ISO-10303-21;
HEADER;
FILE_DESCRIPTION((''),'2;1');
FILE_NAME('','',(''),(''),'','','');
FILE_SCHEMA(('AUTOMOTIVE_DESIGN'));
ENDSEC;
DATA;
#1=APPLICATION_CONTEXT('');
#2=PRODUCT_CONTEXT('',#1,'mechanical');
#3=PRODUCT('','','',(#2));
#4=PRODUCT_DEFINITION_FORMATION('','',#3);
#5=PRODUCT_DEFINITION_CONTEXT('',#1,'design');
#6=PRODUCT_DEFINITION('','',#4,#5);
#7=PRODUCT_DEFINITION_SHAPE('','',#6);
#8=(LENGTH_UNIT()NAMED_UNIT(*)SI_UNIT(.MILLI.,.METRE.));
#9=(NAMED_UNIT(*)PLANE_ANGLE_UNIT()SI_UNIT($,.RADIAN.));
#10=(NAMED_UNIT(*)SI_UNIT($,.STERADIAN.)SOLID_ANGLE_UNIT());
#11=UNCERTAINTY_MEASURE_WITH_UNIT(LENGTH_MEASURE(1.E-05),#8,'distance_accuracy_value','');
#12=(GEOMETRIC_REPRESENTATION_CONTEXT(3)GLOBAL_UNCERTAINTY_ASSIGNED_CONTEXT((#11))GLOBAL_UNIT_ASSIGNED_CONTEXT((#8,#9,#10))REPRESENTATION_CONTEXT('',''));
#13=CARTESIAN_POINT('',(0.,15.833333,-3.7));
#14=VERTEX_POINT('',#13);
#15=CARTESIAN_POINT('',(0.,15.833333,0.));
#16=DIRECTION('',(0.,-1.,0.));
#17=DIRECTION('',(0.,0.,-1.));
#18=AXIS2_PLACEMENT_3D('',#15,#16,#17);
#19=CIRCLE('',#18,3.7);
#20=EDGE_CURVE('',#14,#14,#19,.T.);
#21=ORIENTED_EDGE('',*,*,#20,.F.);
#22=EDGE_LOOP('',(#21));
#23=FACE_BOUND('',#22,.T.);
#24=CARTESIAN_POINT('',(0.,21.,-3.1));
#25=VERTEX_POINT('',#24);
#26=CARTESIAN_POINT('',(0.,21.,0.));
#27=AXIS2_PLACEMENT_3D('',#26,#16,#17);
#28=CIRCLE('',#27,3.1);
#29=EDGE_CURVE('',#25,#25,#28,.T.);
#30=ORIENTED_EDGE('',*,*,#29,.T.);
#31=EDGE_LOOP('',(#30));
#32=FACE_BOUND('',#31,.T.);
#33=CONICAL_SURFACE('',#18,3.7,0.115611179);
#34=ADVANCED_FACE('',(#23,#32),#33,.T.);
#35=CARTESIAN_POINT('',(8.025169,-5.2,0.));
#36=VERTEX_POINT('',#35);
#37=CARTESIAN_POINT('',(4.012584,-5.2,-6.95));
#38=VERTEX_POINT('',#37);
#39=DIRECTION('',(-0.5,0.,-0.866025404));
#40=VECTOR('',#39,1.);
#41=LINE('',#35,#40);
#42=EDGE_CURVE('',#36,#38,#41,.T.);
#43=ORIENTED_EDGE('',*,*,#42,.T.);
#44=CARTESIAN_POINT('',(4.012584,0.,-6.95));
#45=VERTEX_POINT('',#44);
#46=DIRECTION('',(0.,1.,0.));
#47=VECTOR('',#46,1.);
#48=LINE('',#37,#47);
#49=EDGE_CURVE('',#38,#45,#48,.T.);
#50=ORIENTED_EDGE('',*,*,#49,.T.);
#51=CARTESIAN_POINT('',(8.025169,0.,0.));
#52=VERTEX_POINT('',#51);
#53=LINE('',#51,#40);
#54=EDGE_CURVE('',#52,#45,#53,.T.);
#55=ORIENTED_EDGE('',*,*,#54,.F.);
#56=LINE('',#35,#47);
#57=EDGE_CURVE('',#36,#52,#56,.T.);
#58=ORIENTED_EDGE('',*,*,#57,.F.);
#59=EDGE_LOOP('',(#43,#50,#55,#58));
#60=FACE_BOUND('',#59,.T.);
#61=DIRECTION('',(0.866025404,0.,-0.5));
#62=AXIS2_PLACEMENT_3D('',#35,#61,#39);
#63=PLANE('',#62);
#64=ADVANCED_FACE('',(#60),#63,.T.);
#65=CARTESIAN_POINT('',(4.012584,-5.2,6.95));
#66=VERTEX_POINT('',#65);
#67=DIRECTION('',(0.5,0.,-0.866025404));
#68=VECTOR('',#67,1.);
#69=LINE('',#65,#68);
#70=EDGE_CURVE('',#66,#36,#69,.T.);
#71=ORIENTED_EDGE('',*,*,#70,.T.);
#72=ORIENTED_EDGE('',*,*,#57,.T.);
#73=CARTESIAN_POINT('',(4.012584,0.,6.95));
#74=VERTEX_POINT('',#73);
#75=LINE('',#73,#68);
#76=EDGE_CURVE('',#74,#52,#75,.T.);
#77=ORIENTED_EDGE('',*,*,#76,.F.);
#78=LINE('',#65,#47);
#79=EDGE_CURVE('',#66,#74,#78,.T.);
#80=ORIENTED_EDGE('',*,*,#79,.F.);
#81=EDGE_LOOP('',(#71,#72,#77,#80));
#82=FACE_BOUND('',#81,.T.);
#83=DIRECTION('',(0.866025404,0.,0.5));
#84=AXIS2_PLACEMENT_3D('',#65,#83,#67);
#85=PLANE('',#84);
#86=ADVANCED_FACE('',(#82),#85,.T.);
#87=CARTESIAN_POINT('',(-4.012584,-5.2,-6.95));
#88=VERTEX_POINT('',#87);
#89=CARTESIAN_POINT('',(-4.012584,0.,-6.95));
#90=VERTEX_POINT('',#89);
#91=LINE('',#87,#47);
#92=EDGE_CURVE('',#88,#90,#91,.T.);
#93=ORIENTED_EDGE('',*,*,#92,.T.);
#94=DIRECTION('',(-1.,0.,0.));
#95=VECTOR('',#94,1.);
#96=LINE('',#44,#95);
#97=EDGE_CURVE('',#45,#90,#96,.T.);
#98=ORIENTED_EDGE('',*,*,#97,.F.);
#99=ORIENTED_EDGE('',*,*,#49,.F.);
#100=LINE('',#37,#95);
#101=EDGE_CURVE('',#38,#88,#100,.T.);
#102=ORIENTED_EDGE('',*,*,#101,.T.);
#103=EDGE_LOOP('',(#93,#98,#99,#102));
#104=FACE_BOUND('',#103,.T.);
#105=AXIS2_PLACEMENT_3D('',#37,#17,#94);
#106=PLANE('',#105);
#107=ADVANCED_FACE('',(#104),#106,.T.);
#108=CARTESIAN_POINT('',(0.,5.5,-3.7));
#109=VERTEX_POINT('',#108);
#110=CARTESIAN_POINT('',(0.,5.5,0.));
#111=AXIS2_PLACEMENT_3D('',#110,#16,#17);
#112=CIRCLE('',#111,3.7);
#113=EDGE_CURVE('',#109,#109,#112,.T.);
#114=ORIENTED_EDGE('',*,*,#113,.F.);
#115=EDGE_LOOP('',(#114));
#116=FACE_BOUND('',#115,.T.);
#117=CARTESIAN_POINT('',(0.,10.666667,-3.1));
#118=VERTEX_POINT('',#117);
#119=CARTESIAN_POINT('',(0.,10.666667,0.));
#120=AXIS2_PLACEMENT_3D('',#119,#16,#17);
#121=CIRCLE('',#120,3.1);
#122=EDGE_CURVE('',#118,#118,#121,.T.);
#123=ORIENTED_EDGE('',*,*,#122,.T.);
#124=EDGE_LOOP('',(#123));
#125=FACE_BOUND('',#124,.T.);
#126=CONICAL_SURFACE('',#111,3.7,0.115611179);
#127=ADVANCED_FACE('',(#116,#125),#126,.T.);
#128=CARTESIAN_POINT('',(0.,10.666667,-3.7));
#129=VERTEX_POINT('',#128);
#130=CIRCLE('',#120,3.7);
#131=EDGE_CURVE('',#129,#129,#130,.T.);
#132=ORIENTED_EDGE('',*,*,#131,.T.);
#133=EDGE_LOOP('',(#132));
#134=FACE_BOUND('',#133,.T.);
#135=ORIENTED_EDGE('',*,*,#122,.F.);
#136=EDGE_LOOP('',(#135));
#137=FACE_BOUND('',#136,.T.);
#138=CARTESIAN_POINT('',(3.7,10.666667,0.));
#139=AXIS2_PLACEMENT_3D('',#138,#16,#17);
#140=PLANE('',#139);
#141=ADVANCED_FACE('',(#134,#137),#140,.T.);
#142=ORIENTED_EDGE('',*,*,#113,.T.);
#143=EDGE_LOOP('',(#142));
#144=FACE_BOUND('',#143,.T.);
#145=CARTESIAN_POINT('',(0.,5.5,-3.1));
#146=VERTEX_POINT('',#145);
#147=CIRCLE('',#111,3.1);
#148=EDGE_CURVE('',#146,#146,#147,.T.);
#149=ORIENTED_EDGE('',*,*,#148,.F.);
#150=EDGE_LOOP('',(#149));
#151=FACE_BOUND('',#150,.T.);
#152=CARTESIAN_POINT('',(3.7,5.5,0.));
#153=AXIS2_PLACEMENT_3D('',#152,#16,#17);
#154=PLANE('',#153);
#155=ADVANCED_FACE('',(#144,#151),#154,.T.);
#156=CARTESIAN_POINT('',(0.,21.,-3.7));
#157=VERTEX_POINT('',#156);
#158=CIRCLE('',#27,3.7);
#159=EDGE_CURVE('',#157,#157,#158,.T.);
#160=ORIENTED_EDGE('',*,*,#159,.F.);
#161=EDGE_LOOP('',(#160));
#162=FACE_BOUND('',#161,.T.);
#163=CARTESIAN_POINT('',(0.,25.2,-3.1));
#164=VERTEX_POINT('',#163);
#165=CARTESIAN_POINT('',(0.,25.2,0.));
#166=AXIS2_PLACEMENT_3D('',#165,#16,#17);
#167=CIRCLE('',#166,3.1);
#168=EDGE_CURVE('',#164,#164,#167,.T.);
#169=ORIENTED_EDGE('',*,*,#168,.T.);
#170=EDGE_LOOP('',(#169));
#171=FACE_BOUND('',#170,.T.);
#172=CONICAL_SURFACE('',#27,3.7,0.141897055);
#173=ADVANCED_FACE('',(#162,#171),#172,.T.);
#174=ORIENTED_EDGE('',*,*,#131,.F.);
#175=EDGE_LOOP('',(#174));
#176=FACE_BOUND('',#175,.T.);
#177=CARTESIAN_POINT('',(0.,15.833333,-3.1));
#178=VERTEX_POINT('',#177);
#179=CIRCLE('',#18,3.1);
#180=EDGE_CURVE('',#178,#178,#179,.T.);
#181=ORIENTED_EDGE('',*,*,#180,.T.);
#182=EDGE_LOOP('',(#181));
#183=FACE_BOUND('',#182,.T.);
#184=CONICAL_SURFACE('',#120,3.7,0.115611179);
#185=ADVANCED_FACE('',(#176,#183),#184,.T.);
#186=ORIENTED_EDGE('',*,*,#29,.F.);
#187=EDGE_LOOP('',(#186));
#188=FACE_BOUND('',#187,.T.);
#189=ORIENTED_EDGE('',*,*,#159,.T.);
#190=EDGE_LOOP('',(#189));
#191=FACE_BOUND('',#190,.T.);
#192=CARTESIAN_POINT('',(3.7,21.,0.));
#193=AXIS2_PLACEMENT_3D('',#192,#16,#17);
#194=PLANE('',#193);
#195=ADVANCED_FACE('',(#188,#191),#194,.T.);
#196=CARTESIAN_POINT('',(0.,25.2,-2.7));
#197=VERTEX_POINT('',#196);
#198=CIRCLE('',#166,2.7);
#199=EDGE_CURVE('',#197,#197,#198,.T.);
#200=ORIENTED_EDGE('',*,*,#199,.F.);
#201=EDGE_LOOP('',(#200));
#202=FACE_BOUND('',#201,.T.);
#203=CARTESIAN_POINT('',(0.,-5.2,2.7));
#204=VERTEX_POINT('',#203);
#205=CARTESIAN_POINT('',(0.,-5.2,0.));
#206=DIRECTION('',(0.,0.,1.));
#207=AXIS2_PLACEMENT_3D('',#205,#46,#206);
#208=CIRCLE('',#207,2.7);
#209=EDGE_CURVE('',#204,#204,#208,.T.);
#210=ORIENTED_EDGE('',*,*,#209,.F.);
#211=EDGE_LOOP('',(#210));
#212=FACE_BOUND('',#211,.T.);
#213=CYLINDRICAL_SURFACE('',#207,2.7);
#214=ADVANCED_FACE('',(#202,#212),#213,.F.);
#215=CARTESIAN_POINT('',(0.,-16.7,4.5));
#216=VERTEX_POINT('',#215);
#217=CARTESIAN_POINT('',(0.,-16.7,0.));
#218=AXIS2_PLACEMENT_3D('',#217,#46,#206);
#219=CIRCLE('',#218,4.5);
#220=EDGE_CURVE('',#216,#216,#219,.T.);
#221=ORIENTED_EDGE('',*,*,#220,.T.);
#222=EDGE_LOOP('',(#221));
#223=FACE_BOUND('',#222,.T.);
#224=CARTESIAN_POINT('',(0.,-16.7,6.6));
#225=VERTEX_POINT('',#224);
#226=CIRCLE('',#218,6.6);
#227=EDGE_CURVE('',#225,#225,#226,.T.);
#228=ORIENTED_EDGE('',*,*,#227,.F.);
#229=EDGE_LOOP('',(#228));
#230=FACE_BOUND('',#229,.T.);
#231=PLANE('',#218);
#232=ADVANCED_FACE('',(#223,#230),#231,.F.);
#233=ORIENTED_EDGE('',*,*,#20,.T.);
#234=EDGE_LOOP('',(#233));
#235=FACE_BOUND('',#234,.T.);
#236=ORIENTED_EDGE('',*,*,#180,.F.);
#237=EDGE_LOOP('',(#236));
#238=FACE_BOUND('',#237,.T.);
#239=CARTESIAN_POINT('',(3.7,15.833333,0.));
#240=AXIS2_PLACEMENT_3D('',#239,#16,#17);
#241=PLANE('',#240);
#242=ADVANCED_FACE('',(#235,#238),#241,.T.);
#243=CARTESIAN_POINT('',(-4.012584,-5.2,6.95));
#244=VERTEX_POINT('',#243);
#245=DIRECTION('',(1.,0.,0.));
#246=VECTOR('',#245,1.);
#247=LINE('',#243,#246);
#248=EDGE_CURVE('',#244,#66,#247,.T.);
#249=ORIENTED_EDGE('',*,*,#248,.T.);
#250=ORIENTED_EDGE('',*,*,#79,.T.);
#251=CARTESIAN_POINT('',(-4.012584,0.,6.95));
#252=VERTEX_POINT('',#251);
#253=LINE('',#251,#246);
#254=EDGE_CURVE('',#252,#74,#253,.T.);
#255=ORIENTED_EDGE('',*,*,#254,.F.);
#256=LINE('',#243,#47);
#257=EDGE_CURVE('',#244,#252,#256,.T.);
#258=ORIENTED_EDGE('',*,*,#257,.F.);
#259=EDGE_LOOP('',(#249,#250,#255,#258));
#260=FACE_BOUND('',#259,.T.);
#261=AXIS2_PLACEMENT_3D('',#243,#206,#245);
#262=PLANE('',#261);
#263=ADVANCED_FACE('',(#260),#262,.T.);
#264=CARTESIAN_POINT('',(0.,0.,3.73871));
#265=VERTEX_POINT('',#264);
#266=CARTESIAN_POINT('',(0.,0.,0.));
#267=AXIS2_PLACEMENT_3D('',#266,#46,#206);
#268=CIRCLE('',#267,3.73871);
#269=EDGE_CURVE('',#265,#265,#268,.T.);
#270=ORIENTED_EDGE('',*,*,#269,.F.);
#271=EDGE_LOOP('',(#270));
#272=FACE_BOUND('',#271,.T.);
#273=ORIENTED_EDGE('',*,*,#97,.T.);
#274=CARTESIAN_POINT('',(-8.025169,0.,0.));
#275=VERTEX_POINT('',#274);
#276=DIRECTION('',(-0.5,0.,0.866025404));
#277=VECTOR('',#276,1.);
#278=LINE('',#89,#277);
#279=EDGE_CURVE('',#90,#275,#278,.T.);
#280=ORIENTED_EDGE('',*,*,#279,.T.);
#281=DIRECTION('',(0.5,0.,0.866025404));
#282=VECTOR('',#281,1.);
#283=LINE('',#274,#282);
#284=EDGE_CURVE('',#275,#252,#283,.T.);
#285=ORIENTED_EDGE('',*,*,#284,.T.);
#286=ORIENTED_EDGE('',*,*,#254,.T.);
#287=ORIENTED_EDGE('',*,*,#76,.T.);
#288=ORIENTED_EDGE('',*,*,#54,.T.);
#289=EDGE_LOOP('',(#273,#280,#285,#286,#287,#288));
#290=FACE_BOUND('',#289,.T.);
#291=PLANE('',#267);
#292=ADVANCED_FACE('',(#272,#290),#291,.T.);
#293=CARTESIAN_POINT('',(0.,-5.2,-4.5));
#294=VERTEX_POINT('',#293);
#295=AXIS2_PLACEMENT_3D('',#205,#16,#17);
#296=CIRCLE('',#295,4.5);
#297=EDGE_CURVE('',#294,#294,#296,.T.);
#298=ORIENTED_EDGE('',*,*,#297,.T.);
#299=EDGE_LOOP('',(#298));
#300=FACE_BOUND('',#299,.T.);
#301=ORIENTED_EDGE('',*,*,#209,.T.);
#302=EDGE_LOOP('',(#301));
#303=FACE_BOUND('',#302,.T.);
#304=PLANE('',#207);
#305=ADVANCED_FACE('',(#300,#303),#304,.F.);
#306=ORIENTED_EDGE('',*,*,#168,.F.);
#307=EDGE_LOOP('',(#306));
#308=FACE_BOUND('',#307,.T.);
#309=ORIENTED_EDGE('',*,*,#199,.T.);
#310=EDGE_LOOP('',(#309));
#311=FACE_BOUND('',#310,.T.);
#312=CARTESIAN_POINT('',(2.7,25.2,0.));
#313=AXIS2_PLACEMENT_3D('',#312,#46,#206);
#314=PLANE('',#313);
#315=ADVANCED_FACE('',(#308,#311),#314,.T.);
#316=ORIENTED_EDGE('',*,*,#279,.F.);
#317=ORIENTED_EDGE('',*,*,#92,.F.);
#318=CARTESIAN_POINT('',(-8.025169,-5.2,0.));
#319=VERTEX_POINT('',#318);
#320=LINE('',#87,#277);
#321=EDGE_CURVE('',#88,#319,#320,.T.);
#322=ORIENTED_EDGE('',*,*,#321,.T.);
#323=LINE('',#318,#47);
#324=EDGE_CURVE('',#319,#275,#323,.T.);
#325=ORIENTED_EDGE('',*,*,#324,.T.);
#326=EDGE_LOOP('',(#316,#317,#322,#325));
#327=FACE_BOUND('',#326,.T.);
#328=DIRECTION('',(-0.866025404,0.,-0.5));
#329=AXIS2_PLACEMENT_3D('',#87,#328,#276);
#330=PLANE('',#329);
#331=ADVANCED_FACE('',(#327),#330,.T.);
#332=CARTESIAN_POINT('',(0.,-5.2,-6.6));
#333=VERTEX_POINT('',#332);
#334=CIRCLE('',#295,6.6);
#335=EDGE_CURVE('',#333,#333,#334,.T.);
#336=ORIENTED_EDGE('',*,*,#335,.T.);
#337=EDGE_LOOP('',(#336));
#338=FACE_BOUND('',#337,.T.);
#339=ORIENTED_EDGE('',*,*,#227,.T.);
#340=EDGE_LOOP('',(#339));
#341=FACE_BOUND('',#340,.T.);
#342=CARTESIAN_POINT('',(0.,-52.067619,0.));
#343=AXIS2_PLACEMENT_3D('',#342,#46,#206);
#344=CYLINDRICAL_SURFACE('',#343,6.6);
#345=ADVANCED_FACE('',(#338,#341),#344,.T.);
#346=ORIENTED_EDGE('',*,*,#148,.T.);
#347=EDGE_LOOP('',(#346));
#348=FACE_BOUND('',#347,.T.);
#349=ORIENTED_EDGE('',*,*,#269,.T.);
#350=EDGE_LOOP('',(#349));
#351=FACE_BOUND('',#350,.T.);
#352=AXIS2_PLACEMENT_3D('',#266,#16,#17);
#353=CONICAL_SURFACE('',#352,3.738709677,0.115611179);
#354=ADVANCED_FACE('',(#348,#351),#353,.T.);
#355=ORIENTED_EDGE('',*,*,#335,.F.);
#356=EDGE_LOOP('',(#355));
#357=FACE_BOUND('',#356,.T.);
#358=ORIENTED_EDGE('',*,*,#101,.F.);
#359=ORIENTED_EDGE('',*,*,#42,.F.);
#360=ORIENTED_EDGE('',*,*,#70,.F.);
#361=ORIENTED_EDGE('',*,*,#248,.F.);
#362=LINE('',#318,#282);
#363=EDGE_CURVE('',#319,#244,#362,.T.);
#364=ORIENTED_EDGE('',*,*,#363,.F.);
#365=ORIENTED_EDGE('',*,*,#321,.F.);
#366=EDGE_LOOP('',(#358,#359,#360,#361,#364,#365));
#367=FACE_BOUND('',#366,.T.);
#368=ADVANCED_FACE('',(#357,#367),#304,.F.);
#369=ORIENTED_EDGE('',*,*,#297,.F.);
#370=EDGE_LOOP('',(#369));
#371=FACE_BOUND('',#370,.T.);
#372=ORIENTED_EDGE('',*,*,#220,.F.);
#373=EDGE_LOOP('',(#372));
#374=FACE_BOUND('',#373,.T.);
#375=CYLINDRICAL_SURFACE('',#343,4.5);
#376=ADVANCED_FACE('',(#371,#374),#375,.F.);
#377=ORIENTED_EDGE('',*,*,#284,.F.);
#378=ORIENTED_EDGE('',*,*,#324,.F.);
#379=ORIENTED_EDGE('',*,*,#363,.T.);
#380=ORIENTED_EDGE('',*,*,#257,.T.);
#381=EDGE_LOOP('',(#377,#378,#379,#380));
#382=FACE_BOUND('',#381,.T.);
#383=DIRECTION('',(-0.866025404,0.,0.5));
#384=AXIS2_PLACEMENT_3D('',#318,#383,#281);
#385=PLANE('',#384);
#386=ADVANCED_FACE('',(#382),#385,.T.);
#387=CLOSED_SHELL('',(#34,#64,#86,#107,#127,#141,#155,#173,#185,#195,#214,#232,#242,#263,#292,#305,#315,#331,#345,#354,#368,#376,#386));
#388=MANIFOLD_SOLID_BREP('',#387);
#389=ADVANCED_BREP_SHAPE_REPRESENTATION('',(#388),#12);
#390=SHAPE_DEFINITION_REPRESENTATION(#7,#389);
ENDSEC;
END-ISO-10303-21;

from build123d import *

# Parameters (mm, degrees)
SKETCH1_R           = 2.7
BOSS_EXTRUDE1_DEPTH = 5.2
LOWER_THREADS_R     = 6.6
LOWER_THREADS_R_2   = 4.5
BOSS_EXTRUDE2_DEPTH = 11.5


with BuildPart() as part:
    # Sketch1 → Boss-Extrude1 (new body)
    with BuildSketch(Plane(origin=(0, 0, 0), x_dir=(1, 0, 0), z_dir=(0, 1, 0))):
        Polygon((8.025168742, 0), (4.012584371, 6.95), (-4.012584371, 6.95), (-8.025168742, 0), (-4.012584371, -6.95), (4.012584371, -6.95), align=None)
        with Locations(Location((0, 0, 0), (0, 0, 270))):
            Circle(SKETCH1_R, mode=Mode.SUBTRACT)
    extrude(amount=-BOSS_EXTRUDE1_DEPTH)

    # Sketch2 → Revolve1 (revolve)
    with BuildSketch(Plane.XY, mode=Mode.PRIVATE) as revolve1_sk:
        Polygon((2.7, 0), (2.7, 25.2), (3.1, 25.2), (3.7, 21), (3.1, 21), (3.7, 15.833333333), (3.1, 15.833333333), (3.7, 10.666666667), (3.1, 10.666666667), (3.7, 5.5), (3.1, 5.5), (3.738709677, 0), align=None)
    revolve(revolve1_sk.sketch.rotate(Axis((0, -1.995266411, 0), (0, 1, 0)), 90), axis=Axis((0, -1.995266411, 0), (0, 1, 0)))

    # Lower Threads → Boss-Extrude2 (add)
    with BuildSketch(Plane.XZ.offset(5.2)):
        with Locations(Location((0, 0, 0), (0, 0, 90))):
            Circle(LOWER_THREADS_R)
        with Locations(Location((0, 0, 0), (0, 0, 90))):
            Circle(LOWER_THREADS_R_2, mode=Mode.SUBTRACT)
    extrude(amount=BOSS_EXTRUDE2_DEPTH)


solid = part.part
